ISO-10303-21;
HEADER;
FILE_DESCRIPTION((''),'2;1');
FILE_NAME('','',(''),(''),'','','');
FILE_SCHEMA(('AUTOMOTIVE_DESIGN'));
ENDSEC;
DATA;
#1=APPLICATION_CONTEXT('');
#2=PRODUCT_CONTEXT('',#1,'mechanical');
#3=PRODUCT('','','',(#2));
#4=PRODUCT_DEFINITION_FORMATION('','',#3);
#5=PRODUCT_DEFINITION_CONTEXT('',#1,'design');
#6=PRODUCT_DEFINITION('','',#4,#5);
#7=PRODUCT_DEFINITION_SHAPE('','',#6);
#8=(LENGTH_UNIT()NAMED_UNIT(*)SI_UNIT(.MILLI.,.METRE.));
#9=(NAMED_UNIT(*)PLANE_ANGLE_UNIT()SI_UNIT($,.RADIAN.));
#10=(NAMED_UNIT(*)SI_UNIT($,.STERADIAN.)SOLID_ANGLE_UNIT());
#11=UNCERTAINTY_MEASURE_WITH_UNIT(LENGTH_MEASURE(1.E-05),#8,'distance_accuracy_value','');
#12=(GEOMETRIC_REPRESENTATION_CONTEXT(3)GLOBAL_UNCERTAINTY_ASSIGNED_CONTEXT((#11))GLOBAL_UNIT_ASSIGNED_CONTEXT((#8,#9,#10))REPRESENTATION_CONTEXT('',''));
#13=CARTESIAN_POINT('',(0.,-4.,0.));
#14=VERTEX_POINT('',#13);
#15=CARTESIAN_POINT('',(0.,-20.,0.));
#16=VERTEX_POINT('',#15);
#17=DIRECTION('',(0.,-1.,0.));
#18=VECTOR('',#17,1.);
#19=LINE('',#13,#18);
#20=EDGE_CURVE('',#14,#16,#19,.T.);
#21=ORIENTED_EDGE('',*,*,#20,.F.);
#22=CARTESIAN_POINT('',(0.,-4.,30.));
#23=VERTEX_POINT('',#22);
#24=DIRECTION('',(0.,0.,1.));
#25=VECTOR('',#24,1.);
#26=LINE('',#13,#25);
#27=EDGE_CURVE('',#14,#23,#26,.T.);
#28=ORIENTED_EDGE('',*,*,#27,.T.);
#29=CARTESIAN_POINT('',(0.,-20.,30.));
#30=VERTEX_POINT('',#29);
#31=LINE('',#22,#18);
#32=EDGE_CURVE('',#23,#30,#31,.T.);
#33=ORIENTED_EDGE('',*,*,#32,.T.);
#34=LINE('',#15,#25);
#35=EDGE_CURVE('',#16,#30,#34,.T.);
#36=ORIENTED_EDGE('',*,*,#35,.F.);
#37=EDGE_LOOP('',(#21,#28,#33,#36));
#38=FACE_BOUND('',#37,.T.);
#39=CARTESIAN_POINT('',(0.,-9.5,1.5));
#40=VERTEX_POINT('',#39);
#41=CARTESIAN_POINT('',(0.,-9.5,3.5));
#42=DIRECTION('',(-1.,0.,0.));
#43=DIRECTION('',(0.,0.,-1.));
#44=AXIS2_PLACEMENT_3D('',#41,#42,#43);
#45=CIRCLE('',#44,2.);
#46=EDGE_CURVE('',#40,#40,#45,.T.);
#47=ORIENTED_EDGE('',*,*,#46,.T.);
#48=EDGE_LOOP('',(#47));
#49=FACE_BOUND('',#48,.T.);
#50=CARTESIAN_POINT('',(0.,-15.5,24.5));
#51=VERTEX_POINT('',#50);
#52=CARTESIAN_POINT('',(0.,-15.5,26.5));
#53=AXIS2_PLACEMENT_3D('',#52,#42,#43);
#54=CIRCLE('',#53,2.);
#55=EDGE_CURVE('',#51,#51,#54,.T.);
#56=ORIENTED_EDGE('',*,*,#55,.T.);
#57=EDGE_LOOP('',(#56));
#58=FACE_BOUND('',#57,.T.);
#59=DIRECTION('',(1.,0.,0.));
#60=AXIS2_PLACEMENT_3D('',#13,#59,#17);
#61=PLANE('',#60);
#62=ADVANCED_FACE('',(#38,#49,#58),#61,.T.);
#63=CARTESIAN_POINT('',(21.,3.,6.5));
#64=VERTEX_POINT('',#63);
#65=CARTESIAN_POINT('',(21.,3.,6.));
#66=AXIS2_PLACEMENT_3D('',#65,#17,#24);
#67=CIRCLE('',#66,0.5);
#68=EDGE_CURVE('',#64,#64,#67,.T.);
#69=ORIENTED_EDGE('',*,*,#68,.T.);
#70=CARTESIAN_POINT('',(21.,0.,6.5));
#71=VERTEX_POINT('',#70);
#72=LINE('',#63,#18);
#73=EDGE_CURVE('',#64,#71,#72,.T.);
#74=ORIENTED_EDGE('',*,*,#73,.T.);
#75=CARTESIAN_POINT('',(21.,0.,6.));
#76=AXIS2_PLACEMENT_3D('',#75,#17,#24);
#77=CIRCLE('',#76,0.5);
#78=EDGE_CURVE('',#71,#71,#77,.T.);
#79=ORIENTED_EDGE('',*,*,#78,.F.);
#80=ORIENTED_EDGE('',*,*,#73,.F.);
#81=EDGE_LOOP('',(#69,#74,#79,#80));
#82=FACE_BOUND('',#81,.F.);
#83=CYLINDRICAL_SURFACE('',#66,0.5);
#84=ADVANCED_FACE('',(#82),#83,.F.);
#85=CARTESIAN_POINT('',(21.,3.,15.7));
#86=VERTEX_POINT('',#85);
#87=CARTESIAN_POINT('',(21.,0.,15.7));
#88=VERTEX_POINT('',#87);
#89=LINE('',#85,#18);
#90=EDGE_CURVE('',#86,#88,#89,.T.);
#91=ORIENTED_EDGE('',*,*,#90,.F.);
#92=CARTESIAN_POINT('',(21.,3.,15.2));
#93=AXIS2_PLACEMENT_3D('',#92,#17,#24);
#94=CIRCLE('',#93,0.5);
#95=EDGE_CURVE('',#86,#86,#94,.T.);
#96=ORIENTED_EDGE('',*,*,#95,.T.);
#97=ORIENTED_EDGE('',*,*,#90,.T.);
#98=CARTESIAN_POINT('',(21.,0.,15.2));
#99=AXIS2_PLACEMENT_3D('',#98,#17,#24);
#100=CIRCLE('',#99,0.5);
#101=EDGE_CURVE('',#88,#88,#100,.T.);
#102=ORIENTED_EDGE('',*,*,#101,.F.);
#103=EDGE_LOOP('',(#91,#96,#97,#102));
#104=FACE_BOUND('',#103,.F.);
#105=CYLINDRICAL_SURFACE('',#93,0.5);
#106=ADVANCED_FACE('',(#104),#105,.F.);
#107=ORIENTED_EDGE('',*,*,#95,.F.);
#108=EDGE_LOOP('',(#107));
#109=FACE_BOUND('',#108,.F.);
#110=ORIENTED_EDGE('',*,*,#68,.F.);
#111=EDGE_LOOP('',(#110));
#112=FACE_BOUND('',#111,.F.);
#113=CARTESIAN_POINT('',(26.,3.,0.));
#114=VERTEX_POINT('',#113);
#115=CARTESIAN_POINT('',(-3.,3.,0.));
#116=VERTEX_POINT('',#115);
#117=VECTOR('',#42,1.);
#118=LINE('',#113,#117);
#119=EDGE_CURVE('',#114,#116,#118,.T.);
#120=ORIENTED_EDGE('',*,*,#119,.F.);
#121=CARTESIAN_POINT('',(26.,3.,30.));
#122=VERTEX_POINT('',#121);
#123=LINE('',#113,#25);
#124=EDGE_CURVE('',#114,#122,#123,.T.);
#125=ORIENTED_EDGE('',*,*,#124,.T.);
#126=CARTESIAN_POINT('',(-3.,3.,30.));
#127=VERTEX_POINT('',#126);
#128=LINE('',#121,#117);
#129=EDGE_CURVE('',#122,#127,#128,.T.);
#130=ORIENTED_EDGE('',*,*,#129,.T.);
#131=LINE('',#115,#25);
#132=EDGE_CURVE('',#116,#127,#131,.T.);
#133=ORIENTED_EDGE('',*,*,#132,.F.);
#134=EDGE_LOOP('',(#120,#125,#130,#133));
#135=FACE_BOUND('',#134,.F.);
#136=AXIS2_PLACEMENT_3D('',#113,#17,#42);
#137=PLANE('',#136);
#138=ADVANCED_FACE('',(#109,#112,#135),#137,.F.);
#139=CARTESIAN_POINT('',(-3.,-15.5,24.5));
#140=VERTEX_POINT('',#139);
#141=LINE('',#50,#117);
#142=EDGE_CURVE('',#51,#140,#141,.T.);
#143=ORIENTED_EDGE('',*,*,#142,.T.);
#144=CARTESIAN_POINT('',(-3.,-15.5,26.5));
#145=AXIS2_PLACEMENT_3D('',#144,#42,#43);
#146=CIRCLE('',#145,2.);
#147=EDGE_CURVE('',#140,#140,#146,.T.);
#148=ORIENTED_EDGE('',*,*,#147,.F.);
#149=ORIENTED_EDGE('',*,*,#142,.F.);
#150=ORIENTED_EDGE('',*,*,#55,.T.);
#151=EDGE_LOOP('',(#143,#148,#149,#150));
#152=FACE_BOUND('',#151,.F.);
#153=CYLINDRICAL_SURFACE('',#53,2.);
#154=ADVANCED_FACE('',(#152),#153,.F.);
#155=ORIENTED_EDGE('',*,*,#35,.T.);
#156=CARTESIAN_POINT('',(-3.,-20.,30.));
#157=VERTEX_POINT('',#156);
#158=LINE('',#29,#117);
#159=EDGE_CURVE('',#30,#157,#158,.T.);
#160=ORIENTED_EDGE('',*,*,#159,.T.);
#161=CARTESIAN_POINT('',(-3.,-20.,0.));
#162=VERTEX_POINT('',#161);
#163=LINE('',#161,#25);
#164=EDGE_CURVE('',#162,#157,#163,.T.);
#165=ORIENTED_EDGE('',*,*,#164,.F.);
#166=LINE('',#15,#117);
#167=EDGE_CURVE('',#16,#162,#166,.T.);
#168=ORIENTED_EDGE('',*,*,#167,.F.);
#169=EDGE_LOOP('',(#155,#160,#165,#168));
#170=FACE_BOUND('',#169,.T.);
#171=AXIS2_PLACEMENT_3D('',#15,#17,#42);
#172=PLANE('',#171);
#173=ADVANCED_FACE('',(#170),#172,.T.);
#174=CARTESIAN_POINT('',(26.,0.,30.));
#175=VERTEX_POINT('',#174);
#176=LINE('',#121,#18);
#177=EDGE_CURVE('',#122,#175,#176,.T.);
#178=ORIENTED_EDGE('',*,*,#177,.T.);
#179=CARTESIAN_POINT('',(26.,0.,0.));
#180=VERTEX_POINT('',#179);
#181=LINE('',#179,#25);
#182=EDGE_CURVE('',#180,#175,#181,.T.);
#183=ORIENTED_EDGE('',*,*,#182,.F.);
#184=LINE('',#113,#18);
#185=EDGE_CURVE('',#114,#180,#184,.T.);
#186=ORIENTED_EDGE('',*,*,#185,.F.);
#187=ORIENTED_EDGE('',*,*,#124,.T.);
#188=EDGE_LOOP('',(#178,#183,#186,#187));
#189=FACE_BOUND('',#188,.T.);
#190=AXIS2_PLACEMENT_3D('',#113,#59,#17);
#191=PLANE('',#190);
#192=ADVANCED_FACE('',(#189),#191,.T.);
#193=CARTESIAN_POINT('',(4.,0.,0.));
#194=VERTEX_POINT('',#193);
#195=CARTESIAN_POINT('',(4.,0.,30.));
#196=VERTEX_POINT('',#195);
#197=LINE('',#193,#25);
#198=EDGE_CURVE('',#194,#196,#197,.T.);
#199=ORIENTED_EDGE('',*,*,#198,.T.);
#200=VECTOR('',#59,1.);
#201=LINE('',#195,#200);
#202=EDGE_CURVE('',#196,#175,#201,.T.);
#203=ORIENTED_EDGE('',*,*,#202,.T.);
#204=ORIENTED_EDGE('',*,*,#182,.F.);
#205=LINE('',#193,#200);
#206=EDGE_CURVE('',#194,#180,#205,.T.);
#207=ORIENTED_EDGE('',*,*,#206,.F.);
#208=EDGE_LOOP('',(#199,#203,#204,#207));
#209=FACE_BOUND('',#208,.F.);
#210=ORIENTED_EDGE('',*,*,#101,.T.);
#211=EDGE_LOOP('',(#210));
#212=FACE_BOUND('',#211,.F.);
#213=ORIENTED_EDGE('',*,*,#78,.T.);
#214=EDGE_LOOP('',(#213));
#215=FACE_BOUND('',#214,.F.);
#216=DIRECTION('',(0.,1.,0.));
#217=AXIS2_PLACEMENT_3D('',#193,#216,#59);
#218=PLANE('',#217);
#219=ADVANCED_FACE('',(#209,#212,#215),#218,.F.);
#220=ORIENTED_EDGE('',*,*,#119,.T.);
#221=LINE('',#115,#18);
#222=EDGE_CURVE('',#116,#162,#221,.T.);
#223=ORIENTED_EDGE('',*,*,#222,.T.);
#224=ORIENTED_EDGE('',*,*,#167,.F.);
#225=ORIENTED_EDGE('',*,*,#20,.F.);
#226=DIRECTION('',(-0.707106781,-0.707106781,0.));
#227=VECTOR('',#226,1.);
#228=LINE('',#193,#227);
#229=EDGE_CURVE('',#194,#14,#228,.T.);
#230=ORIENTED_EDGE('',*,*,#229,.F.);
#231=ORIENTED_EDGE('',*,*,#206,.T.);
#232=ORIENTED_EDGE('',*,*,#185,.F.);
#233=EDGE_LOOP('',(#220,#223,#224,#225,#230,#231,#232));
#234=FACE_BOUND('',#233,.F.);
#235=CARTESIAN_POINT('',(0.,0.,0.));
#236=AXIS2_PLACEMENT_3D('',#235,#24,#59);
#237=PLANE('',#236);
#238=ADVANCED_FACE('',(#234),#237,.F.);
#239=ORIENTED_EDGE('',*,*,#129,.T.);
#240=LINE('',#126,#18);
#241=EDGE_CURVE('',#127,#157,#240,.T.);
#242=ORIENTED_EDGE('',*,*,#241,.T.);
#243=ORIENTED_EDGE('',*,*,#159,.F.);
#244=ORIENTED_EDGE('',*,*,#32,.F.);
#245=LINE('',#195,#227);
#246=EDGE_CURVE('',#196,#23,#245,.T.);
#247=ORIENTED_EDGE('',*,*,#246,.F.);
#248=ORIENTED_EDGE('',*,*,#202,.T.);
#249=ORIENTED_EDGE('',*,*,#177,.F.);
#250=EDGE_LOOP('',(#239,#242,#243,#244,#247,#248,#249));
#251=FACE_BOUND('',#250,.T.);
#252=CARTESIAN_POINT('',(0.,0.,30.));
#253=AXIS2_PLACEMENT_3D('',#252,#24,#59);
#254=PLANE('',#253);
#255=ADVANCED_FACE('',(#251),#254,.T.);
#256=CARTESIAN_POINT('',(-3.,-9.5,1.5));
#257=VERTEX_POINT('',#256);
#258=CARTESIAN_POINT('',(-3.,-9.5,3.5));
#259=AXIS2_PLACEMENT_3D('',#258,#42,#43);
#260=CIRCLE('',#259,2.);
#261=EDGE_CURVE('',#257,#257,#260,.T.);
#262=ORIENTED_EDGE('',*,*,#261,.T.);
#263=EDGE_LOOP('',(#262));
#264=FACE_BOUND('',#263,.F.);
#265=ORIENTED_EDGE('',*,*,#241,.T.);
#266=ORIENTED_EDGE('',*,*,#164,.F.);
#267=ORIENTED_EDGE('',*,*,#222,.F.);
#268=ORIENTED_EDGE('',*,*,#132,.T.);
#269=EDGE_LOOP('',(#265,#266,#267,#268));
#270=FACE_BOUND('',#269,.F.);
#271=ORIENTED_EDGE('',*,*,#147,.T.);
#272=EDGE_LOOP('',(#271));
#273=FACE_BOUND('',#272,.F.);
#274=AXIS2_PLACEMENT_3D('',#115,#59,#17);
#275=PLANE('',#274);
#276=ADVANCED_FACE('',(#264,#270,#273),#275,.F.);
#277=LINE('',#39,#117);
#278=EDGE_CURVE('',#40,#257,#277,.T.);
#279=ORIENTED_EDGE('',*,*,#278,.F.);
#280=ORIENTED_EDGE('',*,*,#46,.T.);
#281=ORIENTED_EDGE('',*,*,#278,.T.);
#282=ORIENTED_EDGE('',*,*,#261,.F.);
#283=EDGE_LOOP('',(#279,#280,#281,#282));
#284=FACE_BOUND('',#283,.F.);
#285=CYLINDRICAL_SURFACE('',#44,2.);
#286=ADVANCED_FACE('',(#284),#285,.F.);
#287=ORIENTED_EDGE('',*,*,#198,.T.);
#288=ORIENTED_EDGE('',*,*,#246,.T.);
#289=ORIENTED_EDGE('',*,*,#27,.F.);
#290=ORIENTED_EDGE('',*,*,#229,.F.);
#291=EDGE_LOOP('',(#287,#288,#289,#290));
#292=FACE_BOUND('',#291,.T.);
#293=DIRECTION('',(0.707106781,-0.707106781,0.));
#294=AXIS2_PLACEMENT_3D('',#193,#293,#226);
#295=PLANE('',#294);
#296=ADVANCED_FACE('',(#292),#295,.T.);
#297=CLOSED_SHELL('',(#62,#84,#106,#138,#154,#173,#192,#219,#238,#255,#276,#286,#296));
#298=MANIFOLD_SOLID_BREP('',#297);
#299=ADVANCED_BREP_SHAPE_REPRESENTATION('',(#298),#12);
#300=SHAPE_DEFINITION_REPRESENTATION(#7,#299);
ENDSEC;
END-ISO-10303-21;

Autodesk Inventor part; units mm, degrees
ref_plane "YZ Plane" through (0, 0, 0) normal (1, 0, 0) x (0, 1, 0)
ref_plane "XZ Plane" through (0, 0, 0) normal (0, 1, 0) x (-1, 0, 0)
ref_plane "XY Plane" through (0, 0, 0) normal (0, 0, 1) x (1, 0, 0)
sketch "Sketch1" plane through (0, 0, 0) normal (0, 0, 1) x (1, 0, 0)
  line L0 (0, -4) -> (0, -20)
  line L1 (4, 0) -> (26, 0)
  line L2 (26, 3) -> (-3, 3)
  line L3 (-3, 3) -> (-3, -20)
  line L4 (26, 3) -> (26, 0)
  line L5 (0, -20) -> (-3, -20)
  line L6 (4, 0) -> (0, -4)
  point P0 (0, 0)
  point P1 (0, 0)
  dimension "d0" = 20
  dimension "d1" = 26
  dimension "d2" = 3
  dimension "d5" = 4
  dimension "d6" = 4
extrude "Extrusion1" add sketch "Sketch1" along normal blind 30
sketch "Sketch2" plane through (-3, 3, 0) normal (0, 1, 0) x (1, 0, 0)
  line L0 (29, 0) -> (0, 0) projected
  line L1 (29, 0) -> (29, -30) projected
  point P0 (3, 0)
  point P1 (24, -6)
  point P2 (24, -15.2)
  dimension "d9" = 9.2
  dimension "d10" = 6
  dimension "d11" = 5
  dimension "d12" = 5
hole "Hole1" at (21, 3, 6) at (21, 3, 15.2) direction (0, -1, 0) diameter 1 end through all
sketch "Sketch3" plane through (0, -20, 0) normal (1, 0, 0) x (0, 0, -1)
  line L0 (0, 0) -> (0, 16) projected
  line L1 (0, 0) -> (-30, 0) projected
  line L2 (0, 16) -> (-30, 16) projected
  point P0 (0, 20)
  point P1 (-3.5, 10.5)
  point P2 (-26.5, 4.5)
  dimension "d20" = 3.5
  dimension "d29" = 5.5
  dimension "d30" = 23
  dimension "d31" = 6
hole "Hole2" at (0, -9.5, 3.5) at (0, -15.5, 26.5) direction (-1, 0, 0) diameter 4 end through all
equation "\"d6\" = d5"
properties part number "Estrutura - SensorX"
